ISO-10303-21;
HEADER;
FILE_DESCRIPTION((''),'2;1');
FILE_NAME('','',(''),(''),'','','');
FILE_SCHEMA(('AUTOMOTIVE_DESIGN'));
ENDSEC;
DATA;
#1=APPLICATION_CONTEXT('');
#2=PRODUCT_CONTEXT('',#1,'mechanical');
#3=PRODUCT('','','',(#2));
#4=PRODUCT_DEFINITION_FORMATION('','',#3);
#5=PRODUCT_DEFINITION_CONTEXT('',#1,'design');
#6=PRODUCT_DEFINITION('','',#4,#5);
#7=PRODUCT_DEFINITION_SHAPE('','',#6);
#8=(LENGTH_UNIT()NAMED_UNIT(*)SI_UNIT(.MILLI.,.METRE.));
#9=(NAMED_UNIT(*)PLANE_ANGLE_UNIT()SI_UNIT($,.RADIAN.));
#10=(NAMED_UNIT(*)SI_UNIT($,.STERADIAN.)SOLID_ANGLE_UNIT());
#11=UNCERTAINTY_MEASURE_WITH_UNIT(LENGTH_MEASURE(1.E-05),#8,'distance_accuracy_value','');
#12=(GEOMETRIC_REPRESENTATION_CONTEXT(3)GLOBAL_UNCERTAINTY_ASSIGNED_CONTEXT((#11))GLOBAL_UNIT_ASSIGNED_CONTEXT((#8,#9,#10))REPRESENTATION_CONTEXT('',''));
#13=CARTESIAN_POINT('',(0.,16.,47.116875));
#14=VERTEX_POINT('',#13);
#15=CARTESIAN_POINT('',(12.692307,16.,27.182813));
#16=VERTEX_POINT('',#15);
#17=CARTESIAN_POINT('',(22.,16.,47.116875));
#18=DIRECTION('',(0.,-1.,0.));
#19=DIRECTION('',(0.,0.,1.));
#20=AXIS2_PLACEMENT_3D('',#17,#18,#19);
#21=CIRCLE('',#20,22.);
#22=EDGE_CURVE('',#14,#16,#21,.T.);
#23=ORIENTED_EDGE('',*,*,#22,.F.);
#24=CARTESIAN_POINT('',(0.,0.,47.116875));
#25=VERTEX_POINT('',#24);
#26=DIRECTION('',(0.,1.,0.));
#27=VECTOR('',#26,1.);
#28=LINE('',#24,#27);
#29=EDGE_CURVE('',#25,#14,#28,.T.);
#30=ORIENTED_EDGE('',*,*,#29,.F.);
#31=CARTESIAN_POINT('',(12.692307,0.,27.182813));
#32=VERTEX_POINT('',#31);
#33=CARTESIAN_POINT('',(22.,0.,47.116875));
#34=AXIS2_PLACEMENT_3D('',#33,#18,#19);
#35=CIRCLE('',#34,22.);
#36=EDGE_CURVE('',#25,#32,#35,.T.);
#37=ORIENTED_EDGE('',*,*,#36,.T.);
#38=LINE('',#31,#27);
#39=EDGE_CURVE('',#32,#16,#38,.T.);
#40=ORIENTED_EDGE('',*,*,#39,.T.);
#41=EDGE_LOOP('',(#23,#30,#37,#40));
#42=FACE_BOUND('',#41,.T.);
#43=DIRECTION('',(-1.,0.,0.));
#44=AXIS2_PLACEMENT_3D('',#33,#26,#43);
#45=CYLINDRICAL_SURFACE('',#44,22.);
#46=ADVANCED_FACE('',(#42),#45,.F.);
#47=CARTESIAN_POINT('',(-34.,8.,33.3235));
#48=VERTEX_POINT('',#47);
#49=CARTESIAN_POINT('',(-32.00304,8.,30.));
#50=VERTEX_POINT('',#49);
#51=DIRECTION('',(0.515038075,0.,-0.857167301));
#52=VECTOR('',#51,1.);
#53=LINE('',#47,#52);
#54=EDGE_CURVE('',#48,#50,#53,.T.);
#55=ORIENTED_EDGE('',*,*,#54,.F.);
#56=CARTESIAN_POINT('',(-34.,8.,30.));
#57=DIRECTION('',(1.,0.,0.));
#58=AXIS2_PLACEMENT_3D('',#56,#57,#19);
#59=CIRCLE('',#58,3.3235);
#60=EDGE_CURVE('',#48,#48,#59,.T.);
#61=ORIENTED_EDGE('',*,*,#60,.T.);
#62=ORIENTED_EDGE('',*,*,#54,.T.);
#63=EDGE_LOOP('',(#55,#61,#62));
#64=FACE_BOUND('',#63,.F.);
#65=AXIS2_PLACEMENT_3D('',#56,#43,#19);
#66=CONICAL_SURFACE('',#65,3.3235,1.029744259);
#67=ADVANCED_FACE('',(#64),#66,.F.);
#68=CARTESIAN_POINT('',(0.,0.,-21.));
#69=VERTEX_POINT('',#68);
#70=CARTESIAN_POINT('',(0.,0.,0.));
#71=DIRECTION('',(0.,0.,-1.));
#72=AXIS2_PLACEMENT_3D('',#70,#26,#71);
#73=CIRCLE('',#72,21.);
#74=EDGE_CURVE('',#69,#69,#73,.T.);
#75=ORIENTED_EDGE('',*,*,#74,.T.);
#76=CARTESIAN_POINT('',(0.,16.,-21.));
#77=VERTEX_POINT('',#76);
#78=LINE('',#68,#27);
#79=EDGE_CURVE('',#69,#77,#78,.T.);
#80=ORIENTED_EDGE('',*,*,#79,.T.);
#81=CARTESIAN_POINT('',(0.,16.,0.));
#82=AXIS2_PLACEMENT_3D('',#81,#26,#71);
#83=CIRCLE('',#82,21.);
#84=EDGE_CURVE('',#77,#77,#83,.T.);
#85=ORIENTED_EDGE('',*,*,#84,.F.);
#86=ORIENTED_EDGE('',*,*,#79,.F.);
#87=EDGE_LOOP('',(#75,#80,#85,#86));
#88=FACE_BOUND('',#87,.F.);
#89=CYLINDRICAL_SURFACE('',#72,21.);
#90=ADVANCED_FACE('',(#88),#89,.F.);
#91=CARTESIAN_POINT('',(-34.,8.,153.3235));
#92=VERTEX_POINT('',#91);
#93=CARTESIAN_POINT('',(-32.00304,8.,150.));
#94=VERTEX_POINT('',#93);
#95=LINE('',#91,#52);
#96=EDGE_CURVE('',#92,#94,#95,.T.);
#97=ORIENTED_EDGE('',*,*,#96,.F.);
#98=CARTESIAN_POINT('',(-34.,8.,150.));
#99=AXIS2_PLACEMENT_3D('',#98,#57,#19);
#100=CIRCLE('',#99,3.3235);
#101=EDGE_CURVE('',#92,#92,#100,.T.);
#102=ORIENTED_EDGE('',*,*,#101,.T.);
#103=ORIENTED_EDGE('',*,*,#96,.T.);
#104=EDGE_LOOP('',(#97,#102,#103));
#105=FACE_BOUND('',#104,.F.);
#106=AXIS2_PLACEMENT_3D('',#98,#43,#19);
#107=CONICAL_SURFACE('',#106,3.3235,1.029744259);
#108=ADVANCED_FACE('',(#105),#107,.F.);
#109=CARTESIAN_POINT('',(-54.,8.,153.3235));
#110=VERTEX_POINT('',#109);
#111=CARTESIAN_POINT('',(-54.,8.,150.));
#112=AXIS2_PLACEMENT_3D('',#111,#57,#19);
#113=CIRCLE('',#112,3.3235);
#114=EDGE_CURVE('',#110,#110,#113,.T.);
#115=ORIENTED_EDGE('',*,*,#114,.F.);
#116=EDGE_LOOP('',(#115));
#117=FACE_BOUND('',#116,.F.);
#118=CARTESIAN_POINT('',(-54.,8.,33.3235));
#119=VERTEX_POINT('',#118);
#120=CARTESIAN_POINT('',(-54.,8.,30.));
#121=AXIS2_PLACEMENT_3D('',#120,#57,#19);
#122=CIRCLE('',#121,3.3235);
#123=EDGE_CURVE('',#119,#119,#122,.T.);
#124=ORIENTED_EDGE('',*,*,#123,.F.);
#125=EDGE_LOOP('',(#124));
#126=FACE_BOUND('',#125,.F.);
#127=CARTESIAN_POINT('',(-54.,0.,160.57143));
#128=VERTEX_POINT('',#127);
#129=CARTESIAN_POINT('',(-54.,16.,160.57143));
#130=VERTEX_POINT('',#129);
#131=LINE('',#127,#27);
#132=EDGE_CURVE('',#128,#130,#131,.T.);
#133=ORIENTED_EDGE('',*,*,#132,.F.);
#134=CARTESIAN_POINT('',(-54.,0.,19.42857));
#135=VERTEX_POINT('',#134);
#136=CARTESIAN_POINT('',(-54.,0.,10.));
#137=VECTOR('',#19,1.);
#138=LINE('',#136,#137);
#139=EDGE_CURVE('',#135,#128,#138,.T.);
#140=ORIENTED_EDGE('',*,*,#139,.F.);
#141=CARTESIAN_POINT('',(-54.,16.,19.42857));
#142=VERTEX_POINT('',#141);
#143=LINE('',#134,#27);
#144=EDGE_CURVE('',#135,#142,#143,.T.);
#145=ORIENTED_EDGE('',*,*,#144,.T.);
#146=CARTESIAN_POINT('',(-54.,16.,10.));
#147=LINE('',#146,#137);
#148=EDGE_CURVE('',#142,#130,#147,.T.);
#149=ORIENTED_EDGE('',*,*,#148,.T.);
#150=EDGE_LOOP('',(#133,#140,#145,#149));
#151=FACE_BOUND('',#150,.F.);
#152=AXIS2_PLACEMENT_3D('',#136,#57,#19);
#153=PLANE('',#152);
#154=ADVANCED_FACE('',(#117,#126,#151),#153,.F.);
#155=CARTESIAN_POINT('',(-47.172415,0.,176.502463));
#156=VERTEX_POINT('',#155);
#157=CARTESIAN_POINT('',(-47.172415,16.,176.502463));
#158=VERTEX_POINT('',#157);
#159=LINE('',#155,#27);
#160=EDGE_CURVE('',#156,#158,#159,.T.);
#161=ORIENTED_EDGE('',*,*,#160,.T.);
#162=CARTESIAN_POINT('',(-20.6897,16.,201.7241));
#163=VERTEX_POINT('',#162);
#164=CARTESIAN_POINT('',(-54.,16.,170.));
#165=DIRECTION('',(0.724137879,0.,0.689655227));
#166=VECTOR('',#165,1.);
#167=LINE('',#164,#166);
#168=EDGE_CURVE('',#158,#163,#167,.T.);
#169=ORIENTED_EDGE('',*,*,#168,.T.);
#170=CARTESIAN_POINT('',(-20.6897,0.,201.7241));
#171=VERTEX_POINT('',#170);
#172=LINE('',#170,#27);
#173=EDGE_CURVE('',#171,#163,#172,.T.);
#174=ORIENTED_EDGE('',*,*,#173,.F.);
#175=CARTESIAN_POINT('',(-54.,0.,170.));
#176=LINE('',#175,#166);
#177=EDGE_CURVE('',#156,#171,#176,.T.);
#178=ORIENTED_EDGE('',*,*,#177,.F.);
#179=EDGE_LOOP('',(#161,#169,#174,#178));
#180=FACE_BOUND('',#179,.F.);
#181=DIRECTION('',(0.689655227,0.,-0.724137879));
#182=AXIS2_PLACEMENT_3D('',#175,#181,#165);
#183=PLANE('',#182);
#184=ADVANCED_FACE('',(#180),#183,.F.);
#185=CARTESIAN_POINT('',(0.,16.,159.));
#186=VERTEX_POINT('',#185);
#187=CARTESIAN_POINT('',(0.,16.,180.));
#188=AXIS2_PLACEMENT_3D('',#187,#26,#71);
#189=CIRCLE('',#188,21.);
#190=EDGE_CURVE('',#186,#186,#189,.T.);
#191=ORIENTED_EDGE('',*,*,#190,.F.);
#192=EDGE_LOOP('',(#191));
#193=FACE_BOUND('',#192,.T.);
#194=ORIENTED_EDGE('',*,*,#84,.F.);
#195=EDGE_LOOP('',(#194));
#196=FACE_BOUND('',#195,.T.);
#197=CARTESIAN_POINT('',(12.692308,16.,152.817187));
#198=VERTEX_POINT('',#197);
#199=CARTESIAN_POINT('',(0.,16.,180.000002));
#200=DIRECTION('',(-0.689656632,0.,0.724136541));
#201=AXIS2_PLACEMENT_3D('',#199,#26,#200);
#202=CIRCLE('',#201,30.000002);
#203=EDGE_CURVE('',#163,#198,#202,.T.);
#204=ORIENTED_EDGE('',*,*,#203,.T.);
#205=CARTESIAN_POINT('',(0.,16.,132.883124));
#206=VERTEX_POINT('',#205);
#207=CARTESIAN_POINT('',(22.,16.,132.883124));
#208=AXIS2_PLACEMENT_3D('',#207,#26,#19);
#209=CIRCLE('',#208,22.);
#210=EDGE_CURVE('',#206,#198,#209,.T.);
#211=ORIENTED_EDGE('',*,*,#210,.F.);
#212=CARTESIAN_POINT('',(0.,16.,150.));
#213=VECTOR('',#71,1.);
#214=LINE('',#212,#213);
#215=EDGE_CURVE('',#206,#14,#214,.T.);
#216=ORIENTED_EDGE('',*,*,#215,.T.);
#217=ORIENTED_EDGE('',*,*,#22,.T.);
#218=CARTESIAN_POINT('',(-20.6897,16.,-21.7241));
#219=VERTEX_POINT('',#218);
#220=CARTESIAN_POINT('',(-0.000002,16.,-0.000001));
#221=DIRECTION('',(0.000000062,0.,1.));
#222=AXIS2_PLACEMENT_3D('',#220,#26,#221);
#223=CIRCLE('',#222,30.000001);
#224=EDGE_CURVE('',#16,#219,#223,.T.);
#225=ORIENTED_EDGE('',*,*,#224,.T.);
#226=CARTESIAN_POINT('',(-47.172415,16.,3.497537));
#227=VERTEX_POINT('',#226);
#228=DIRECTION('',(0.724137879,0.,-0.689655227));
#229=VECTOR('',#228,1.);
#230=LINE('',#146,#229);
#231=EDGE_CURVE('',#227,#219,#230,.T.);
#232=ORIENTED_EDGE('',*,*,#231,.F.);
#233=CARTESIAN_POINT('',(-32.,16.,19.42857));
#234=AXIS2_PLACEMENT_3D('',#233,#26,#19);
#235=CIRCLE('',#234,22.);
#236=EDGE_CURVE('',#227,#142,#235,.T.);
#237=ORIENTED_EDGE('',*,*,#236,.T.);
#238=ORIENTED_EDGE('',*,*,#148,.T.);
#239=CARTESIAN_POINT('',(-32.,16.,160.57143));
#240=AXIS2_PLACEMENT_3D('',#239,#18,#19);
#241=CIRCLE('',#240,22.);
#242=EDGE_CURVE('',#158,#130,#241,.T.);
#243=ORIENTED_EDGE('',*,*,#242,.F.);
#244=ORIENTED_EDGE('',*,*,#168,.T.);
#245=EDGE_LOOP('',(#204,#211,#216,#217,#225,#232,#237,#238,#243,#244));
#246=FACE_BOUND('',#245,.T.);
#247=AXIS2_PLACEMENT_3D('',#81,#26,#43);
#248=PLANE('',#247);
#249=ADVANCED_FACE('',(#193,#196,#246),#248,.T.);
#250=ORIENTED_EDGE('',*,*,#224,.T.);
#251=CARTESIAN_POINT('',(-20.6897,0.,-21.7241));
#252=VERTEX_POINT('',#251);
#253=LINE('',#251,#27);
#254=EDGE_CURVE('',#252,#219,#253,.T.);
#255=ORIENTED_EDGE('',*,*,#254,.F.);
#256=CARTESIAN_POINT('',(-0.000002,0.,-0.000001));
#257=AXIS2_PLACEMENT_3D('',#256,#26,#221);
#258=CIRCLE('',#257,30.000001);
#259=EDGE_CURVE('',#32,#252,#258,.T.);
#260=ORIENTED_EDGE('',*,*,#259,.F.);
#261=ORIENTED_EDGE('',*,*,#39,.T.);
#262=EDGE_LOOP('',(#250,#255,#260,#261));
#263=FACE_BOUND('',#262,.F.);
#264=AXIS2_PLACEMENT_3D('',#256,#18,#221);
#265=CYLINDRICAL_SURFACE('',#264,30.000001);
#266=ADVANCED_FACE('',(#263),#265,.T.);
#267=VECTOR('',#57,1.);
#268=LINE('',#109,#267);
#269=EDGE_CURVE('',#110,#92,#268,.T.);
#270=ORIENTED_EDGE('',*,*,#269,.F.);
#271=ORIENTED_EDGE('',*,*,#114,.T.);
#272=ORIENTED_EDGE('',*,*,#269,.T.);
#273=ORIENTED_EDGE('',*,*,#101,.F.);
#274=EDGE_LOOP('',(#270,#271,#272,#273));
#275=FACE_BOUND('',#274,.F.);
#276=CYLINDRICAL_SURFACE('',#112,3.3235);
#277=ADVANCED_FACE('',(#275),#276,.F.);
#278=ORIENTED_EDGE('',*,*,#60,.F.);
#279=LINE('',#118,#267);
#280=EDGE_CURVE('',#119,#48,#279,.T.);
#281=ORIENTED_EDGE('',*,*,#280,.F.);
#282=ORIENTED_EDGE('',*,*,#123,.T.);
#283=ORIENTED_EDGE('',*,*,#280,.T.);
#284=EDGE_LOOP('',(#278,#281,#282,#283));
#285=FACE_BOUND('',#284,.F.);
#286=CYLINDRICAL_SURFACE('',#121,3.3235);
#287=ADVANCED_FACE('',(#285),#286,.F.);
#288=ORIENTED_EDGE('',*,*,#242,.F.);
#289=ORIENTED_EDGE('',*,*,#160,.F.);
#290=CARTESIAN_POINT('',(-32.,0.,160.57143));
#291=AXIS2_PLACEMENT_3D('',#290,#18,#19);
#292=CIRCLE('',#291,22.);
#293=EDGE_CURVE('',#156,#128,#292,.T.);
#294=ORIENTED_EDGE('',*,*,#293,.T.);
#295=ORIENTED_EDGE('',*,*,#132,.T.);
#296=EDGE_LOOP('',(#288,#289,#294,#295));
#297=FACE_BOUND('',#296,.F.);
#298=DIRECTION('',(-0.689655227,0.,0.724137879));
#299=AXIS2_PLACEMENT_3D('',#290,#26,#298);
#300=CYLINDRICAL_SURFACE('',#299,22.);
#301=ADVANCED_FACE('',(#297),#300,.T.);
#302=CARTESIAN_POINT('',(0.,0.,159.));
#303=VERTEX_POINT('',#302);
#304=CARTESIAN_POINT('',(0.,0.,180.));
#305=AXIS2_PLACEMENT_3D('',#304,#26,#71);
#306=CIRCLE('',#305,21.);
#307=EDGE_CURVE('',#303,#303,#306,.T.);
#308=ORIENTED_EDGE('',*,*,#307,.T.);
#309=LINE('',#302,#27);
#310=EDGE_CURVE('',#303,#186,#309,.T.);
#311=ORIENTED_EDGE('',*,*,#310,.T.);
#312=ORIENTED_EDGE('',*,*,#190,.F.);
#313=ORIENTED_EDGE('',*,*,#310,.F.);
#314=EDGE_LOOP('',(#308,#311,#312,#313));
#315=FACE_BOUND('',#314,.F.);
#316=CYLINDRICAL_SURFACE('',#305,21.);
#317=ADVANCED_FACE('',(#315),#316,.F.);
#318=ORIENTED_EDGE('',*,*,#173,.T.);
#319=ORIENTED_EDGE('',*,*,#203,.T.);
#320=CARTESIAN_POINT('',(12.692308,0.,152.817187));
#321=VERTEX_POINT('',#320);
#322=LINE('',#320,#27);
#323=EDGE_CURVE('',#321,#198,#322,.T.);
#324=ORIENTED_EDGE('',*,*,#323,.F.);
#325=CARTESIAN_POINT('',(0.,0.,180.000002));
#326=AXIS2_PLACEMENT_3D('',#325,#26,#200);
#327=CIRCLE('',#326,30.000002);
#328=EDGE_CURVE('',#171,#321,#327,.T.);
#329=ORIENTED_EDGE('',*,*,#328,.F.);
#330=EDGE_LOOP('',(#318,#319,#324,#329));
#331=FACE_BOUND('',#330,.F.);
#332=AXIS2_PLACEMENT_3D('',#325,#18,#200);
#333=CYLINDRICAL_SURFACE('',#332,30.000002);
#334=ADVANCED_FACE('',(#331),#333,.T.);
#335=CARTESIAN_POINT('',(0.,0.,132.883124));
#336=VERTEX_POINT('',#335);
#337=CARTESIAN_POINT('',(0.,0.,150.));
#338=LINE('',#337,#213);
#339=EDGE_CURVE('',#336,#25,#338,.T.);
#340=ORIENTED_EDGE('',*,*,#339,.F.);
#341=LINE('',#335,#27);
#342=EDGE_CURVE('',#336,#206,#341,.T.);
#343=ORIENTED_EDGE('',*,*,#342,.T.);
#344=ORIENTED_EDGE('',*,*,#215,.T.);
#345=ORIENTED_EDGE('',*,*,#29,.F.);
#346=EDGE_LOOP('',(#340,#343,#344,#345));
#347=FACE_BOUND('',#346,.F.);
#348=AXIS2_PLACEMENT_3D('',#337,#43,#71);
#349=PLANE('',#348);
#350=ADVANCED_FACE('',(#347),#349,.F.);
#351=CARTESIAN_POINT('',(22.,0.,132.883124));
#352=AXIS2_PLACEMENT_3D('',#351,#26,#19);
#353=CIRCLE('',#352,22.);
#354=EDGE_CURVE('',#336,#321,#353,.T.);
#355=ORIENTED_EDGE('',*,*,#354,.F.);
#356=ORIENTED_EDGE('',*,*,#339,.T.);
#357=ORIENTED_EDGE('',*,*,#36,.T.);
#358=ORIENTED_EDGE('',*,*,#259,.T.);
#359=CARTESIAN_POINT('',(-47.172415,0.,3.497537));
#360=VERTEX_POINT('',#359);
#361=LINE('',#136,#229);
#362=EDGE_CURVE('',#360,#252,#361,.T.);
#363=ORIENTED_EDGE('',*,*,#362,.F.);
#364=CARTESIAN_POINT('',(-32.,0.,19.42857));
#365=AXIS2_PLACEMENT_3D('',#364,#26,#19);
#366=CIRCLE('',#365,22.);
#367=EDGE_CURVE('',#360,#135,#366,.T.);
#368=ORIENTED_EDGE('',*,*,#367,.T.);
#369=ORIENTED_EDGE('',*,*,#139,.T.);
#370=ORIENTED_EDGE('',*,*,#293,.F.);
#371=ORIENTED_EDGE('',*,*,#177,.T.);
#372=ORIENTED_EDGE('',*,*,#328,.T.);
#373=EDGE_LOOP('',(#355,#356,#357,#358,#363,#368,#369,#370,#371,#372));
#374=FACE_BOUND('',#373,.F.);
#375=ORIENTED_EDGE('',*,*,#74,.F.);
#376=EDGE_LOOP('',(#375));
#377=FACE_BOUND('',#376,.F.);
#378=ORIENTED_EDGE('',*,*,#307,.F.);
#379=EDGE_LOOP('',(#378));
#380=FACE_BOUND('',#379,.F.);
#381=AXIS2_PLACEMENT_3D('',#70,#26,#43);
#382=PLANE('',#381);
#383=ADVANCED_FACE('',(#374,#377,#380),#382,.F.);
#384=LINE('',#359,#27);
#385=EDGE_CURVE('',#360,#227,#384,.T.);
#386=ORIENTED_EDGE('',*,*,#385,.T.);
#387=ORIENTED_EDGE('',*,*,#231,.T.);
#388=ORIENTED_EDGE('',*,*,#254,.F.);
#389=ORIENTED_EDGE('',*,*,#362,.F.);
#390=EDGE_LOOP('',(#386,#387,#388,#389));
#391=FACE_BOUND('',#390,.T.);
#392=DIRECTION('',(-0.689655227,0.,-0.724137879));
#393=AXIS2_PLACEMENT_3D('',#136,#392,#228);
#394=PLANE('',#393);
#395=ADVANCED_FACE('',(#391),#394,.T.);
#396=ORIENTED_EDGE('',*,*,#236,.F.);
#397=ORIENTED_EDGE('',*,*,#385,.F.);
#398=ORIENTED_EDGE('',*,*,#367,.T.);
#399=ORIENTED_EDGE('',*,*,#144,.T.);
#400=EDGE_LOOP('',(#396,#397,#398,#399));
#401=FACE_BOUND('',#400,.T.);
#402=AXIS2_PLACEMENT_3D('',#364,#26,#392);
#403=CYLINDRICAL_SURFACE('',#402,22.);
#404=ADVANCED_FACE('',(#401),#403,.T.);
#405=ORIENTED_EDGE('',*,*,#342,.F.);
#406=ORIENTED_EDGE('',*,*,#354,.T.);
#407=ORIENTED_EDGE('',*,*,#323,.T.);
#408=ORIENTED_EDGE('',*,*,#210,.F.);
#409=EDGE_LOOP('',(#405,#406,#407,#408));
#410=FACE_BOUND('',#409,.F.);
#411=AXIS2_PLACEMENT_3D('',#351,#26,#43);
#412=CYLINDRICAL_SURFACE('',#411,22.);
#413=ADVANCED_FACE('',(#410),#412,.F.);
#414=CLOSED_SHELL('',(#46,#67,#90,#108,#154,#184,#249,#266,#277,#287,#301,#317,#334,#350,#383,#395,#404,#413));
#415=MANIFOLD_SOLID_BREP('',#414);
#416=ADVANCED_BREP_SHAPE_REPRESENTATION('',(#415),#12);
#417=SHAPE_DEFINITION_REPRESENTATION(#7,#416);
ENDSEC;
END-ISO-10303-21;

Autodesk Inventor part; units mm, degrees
ref_plane "YZ Plane" through (0, 0, 0) normal (1, 0, 0) x (0, 1, 0)
ref_plane "XZ Plane" through (0, 0, 0) normal (0, 1, 0) x (-1, 0, 0)
ref_plane "XY Plane" through (0, 0, 0) normal (0, 0, 1) x (1, 0, 0)
sketch "Sketch1" plane through (0, 0, 0) normal (0, 1, 0) x (-1, 0, 0)
  arc A0 (0, 30) -> (20.6897, -21.7241) centre (0, 0) ccw
  arc A1 (20.6897, 201.7241) -> (0, 150) centre (0, 180) ccw
  line L0 (54, 10) -> (54, 170)
  line L1 (0, 150) -> (0, 30)
  line L2 (54, 10) -> (20.6897, -21.7241)
  line L3 (54, 170) -> (20.6897, 201.7241)
extrude "Extrusion2" add sketch "Sketch1" along normal blind 16
hole "Hole3" at (0, 0, 180) at (0, 0, 0) direction (0, 1, 0) diameter 42 depth 16
fillet "Fillet3" radius 22 2 edges at (0, 8, 30) (0, 8, 150)
sketch "Sketch4" plane through (-54, 0, 10) normal (-1, 0, 0) x (0, 0, 1)
  line L0 (0, 0) -> (0, 16) projected
  line L1 (0, 8) -> (160, 8)
  line L2 (160, 0) -> (160, 16) projected
  point P0 (-10, 0)
  point P1 (20, 8)
  point P2 (140, 8)
fillet "Fillet4" radius 22 2 edges at (-54, 8, 10) (-54, 8, 170)
hole "Hole4" at (-54, 8, 30) at (-54, 8, 150) direction (1, 0, 0) diameter 6.647 depth 20 tip angle 118 thread size "M8x1.25" class "6H" standard "ISO Metric profile"
properties part number "TelescopeMountConnector"
